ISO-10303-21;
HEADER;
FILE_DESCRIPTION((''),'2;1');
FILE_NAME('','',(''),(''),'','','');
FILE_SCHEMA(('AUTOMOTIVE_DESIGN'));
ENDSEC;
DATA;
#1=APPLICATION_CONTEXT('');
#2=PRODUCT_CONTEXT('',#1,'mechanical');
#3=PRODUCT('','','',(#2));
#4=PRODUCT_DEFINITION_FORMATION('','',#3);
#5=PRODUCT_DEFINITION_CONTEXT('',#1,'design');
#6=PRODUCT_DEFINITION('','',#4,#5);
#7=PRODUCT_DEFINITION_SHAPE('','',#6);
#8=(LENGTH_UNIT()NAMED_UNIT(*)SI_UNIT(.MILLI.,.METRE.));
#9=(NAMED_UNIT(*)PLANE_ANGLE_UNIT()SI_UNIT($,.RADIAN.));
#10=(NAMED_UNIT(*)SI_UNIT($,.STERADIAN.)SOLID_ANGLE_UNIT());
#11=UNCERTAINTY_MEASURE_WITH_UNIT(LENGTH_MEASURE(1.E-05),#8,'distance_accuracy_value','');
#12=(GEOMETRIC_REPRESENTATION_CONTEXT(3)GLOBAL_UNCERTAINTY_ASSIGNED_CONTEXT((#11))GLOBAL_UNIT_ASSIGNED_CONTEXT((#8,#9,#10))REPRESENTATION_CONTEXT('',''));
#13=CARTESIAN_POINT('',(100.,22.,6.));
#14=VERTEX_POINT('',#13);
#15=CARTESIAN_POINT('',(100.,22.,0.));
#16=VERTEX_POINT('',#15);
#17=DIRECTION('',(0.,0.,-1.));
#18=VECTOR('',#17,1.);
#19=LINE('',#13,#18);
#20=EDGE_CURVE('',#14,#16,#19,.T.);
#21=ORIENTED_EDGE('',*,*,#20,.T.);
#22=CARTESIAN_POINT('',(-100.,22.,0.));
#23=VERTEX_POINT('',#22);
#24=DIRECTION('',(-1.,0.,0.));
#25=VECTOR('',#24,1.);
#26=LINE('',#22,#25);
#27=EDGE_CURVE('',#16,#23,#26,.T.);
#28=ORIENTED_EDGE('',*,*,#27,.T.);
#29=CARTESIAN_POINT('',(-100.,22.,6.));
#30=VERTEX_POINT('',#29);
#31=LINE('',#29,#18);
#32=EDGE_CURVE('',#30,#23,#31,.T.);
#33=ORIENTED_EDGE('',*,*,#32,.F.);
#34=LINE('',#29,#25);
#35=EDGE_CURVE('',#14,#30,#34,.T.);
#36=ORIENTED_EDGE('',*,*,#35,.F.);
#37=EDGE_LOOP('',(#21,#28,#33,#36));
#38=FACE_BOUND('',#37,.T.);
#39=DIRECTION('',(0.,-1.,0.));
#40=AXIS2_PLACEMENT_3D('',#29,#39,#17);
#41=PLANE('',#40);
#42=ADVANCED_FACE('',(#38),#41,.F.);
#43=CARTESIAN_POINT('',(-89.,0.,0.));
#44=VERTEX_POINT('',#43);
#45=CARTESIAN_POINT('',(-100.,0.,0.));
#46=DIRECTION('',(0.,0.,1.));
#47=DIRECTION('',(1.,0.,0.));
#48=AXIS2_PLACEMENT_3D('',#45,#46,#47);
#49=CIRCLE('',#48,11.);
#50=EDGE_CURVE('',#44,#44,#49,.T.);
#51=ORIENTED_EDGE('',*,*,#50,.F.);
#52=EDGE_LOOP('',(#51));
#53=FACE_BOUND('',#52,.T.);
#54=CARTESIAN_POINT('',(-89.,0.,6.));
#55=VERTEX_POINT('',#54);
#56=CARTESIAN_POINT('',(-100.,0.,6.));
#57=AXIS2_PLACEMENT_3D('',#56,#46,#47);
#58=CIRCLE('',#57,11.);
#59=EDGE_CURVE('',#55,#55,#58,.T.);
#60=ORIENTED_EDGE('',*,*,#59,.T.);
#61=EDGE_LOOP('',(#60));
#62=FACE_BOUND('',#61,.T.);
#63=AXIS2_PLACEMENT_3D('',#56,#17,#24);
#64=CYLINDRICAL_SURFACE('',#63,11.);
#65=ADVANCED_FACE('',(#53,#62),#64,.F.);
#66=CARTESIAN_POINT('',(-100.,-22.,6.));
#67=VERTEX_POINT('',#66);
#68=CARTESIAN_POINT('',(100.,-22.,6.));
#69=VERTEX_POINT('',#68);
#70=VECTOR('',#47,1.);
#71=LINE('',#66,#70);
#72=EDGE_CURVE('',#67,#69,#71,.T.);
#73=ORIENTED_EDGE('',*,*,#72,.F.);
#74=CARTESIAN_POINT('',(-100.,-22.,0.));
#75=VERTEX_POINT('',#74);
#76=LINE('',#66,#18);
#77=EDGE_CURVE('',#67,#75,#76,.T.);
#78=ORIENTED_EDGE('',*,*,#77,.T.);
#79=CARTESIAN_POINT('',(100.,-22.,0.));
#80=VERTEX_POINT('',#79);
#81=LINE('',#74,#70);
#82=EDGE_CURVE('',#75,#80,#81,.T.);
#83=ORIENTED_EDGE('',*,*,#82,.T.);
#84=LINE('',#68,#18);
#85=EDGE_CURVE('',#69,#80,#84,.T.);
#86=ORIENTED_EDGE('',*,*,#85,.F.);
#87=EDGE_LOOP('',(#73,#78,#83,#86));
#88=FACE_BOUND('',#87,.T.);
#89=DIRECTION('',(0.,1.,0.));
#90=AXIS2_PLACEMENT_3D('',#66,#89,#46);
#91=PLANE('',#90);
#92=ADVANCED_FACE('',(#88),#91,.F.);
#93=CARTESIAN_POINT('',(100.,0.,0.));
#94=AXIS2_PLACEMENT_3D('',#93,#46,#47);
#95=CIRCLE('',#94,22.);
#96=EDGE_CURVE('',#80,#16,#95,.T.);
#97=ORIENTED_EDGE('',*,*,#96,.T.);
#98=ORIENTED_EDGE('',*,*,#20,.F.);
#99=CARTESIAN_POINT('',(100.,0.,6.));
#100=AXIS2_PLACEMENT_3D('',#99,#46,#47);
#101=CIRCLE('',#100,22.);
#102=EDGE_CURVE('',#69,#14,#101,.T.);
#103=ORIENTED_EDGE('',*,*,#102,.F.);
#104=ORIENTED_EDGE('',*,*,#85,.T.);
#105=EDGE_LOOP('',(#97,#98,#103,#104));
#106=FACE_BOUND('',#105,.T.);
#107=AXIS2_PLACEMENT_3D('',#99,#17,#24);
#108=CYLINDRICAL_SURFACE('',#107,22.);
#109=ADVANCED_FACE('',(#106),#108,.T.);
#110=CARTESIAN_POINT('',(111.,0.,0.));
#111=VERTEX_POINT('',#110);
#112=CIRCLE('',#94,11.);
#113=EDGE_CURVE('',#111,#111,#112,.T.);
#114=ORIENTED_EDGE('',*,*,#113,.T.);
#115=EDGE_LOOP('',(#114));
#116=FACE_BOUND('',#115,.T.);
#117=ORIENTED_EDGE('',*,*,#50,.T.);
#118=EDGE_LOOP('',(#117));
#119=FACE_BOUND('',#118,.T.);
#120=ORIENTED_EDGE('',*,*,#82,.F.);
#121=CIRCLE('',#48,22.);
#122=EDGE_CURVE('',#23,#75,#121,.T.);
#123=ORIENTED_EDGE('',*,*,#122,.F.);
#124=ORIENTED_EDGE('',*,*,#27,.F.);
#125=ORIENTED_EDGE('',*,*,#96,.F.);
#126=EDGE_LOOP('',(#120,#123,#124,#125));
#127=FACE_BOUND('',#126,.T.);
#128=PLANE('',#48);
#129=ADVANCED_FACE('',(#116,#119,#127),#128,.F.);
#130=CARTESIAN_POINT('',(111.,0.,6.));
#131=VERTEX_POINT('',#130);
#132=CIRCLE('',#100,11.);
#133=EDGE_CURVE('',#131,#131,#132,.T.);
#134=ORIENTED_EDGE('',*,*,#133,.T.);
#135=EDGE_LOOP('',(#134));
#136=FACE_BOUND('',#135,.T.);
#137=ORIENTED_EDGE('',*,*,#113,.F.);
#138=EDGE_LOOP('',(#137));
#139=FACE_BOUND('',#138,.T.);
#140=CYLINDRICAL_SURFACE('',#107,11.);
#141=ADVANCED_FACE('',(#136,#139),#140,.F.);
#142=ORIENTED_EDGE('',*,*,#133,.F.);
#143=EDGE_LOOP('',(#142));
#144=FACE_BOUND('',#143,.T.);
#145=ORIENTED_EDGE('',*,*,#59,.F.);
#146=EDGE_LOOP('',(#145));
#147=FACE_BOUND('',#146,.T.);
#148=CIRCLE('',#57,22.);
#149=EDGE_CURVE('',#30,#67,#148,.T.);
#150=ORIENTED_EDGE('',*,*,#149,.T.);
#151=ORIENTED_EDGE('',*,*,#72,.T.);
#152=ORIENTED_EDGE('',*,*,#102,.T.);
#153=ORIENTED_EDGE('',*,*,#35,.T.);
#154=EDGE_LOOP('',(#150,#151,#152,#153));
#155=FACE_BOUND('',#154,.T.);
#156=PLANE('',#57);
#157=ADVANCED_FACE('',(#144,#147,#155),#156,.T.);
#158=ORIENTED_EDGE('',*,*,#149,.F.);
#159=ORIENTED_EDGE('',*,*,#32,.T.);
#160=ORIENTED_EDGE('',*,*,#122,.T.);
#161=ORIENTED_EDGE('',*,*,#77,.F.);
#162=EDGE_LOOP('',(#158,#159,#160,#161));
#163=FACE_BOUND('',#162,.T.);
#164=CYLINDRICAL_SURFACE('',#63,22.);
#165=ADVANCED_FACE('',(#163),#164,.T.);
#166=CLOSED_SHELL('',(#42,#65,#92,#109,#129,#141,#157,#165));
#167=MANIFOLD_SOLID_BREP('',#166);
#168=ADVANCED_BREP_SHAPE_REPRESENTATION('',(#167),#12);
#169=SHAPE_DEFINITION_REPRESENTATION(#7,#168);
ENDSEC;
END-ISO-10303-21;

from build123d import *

# Parameters (mm, degrees)
SKETCH1_R           = 11
BOSS_EXTRUDE3_DEPTH = 6


with BuildPart() as part:
    # Sketch1 → Boss-Extrude3 (new body)
    with BuildSketch(Plane.XY):
        with BuildLine():
            Line((-100, 22), (100, 22))
            ThreePointArc((100, 22), (122, 0), (100, -22))
            Line((100, -22), (-100, -22))
            ThreePointArc((-100, -22), (-122, 0), (-100, 22))
        make_face()
        with Locations((100, 0)):
            Circle(SKETCH1_R, mode=Mode.SUBTRACT)
        with Locations((-100, 0)):
            Circle(SKETCH1_R, mode=Mode.SUBTRACT)
    extrude(amount=BOSS_EXTRUDE3_DEPTH)


solid = part.part
